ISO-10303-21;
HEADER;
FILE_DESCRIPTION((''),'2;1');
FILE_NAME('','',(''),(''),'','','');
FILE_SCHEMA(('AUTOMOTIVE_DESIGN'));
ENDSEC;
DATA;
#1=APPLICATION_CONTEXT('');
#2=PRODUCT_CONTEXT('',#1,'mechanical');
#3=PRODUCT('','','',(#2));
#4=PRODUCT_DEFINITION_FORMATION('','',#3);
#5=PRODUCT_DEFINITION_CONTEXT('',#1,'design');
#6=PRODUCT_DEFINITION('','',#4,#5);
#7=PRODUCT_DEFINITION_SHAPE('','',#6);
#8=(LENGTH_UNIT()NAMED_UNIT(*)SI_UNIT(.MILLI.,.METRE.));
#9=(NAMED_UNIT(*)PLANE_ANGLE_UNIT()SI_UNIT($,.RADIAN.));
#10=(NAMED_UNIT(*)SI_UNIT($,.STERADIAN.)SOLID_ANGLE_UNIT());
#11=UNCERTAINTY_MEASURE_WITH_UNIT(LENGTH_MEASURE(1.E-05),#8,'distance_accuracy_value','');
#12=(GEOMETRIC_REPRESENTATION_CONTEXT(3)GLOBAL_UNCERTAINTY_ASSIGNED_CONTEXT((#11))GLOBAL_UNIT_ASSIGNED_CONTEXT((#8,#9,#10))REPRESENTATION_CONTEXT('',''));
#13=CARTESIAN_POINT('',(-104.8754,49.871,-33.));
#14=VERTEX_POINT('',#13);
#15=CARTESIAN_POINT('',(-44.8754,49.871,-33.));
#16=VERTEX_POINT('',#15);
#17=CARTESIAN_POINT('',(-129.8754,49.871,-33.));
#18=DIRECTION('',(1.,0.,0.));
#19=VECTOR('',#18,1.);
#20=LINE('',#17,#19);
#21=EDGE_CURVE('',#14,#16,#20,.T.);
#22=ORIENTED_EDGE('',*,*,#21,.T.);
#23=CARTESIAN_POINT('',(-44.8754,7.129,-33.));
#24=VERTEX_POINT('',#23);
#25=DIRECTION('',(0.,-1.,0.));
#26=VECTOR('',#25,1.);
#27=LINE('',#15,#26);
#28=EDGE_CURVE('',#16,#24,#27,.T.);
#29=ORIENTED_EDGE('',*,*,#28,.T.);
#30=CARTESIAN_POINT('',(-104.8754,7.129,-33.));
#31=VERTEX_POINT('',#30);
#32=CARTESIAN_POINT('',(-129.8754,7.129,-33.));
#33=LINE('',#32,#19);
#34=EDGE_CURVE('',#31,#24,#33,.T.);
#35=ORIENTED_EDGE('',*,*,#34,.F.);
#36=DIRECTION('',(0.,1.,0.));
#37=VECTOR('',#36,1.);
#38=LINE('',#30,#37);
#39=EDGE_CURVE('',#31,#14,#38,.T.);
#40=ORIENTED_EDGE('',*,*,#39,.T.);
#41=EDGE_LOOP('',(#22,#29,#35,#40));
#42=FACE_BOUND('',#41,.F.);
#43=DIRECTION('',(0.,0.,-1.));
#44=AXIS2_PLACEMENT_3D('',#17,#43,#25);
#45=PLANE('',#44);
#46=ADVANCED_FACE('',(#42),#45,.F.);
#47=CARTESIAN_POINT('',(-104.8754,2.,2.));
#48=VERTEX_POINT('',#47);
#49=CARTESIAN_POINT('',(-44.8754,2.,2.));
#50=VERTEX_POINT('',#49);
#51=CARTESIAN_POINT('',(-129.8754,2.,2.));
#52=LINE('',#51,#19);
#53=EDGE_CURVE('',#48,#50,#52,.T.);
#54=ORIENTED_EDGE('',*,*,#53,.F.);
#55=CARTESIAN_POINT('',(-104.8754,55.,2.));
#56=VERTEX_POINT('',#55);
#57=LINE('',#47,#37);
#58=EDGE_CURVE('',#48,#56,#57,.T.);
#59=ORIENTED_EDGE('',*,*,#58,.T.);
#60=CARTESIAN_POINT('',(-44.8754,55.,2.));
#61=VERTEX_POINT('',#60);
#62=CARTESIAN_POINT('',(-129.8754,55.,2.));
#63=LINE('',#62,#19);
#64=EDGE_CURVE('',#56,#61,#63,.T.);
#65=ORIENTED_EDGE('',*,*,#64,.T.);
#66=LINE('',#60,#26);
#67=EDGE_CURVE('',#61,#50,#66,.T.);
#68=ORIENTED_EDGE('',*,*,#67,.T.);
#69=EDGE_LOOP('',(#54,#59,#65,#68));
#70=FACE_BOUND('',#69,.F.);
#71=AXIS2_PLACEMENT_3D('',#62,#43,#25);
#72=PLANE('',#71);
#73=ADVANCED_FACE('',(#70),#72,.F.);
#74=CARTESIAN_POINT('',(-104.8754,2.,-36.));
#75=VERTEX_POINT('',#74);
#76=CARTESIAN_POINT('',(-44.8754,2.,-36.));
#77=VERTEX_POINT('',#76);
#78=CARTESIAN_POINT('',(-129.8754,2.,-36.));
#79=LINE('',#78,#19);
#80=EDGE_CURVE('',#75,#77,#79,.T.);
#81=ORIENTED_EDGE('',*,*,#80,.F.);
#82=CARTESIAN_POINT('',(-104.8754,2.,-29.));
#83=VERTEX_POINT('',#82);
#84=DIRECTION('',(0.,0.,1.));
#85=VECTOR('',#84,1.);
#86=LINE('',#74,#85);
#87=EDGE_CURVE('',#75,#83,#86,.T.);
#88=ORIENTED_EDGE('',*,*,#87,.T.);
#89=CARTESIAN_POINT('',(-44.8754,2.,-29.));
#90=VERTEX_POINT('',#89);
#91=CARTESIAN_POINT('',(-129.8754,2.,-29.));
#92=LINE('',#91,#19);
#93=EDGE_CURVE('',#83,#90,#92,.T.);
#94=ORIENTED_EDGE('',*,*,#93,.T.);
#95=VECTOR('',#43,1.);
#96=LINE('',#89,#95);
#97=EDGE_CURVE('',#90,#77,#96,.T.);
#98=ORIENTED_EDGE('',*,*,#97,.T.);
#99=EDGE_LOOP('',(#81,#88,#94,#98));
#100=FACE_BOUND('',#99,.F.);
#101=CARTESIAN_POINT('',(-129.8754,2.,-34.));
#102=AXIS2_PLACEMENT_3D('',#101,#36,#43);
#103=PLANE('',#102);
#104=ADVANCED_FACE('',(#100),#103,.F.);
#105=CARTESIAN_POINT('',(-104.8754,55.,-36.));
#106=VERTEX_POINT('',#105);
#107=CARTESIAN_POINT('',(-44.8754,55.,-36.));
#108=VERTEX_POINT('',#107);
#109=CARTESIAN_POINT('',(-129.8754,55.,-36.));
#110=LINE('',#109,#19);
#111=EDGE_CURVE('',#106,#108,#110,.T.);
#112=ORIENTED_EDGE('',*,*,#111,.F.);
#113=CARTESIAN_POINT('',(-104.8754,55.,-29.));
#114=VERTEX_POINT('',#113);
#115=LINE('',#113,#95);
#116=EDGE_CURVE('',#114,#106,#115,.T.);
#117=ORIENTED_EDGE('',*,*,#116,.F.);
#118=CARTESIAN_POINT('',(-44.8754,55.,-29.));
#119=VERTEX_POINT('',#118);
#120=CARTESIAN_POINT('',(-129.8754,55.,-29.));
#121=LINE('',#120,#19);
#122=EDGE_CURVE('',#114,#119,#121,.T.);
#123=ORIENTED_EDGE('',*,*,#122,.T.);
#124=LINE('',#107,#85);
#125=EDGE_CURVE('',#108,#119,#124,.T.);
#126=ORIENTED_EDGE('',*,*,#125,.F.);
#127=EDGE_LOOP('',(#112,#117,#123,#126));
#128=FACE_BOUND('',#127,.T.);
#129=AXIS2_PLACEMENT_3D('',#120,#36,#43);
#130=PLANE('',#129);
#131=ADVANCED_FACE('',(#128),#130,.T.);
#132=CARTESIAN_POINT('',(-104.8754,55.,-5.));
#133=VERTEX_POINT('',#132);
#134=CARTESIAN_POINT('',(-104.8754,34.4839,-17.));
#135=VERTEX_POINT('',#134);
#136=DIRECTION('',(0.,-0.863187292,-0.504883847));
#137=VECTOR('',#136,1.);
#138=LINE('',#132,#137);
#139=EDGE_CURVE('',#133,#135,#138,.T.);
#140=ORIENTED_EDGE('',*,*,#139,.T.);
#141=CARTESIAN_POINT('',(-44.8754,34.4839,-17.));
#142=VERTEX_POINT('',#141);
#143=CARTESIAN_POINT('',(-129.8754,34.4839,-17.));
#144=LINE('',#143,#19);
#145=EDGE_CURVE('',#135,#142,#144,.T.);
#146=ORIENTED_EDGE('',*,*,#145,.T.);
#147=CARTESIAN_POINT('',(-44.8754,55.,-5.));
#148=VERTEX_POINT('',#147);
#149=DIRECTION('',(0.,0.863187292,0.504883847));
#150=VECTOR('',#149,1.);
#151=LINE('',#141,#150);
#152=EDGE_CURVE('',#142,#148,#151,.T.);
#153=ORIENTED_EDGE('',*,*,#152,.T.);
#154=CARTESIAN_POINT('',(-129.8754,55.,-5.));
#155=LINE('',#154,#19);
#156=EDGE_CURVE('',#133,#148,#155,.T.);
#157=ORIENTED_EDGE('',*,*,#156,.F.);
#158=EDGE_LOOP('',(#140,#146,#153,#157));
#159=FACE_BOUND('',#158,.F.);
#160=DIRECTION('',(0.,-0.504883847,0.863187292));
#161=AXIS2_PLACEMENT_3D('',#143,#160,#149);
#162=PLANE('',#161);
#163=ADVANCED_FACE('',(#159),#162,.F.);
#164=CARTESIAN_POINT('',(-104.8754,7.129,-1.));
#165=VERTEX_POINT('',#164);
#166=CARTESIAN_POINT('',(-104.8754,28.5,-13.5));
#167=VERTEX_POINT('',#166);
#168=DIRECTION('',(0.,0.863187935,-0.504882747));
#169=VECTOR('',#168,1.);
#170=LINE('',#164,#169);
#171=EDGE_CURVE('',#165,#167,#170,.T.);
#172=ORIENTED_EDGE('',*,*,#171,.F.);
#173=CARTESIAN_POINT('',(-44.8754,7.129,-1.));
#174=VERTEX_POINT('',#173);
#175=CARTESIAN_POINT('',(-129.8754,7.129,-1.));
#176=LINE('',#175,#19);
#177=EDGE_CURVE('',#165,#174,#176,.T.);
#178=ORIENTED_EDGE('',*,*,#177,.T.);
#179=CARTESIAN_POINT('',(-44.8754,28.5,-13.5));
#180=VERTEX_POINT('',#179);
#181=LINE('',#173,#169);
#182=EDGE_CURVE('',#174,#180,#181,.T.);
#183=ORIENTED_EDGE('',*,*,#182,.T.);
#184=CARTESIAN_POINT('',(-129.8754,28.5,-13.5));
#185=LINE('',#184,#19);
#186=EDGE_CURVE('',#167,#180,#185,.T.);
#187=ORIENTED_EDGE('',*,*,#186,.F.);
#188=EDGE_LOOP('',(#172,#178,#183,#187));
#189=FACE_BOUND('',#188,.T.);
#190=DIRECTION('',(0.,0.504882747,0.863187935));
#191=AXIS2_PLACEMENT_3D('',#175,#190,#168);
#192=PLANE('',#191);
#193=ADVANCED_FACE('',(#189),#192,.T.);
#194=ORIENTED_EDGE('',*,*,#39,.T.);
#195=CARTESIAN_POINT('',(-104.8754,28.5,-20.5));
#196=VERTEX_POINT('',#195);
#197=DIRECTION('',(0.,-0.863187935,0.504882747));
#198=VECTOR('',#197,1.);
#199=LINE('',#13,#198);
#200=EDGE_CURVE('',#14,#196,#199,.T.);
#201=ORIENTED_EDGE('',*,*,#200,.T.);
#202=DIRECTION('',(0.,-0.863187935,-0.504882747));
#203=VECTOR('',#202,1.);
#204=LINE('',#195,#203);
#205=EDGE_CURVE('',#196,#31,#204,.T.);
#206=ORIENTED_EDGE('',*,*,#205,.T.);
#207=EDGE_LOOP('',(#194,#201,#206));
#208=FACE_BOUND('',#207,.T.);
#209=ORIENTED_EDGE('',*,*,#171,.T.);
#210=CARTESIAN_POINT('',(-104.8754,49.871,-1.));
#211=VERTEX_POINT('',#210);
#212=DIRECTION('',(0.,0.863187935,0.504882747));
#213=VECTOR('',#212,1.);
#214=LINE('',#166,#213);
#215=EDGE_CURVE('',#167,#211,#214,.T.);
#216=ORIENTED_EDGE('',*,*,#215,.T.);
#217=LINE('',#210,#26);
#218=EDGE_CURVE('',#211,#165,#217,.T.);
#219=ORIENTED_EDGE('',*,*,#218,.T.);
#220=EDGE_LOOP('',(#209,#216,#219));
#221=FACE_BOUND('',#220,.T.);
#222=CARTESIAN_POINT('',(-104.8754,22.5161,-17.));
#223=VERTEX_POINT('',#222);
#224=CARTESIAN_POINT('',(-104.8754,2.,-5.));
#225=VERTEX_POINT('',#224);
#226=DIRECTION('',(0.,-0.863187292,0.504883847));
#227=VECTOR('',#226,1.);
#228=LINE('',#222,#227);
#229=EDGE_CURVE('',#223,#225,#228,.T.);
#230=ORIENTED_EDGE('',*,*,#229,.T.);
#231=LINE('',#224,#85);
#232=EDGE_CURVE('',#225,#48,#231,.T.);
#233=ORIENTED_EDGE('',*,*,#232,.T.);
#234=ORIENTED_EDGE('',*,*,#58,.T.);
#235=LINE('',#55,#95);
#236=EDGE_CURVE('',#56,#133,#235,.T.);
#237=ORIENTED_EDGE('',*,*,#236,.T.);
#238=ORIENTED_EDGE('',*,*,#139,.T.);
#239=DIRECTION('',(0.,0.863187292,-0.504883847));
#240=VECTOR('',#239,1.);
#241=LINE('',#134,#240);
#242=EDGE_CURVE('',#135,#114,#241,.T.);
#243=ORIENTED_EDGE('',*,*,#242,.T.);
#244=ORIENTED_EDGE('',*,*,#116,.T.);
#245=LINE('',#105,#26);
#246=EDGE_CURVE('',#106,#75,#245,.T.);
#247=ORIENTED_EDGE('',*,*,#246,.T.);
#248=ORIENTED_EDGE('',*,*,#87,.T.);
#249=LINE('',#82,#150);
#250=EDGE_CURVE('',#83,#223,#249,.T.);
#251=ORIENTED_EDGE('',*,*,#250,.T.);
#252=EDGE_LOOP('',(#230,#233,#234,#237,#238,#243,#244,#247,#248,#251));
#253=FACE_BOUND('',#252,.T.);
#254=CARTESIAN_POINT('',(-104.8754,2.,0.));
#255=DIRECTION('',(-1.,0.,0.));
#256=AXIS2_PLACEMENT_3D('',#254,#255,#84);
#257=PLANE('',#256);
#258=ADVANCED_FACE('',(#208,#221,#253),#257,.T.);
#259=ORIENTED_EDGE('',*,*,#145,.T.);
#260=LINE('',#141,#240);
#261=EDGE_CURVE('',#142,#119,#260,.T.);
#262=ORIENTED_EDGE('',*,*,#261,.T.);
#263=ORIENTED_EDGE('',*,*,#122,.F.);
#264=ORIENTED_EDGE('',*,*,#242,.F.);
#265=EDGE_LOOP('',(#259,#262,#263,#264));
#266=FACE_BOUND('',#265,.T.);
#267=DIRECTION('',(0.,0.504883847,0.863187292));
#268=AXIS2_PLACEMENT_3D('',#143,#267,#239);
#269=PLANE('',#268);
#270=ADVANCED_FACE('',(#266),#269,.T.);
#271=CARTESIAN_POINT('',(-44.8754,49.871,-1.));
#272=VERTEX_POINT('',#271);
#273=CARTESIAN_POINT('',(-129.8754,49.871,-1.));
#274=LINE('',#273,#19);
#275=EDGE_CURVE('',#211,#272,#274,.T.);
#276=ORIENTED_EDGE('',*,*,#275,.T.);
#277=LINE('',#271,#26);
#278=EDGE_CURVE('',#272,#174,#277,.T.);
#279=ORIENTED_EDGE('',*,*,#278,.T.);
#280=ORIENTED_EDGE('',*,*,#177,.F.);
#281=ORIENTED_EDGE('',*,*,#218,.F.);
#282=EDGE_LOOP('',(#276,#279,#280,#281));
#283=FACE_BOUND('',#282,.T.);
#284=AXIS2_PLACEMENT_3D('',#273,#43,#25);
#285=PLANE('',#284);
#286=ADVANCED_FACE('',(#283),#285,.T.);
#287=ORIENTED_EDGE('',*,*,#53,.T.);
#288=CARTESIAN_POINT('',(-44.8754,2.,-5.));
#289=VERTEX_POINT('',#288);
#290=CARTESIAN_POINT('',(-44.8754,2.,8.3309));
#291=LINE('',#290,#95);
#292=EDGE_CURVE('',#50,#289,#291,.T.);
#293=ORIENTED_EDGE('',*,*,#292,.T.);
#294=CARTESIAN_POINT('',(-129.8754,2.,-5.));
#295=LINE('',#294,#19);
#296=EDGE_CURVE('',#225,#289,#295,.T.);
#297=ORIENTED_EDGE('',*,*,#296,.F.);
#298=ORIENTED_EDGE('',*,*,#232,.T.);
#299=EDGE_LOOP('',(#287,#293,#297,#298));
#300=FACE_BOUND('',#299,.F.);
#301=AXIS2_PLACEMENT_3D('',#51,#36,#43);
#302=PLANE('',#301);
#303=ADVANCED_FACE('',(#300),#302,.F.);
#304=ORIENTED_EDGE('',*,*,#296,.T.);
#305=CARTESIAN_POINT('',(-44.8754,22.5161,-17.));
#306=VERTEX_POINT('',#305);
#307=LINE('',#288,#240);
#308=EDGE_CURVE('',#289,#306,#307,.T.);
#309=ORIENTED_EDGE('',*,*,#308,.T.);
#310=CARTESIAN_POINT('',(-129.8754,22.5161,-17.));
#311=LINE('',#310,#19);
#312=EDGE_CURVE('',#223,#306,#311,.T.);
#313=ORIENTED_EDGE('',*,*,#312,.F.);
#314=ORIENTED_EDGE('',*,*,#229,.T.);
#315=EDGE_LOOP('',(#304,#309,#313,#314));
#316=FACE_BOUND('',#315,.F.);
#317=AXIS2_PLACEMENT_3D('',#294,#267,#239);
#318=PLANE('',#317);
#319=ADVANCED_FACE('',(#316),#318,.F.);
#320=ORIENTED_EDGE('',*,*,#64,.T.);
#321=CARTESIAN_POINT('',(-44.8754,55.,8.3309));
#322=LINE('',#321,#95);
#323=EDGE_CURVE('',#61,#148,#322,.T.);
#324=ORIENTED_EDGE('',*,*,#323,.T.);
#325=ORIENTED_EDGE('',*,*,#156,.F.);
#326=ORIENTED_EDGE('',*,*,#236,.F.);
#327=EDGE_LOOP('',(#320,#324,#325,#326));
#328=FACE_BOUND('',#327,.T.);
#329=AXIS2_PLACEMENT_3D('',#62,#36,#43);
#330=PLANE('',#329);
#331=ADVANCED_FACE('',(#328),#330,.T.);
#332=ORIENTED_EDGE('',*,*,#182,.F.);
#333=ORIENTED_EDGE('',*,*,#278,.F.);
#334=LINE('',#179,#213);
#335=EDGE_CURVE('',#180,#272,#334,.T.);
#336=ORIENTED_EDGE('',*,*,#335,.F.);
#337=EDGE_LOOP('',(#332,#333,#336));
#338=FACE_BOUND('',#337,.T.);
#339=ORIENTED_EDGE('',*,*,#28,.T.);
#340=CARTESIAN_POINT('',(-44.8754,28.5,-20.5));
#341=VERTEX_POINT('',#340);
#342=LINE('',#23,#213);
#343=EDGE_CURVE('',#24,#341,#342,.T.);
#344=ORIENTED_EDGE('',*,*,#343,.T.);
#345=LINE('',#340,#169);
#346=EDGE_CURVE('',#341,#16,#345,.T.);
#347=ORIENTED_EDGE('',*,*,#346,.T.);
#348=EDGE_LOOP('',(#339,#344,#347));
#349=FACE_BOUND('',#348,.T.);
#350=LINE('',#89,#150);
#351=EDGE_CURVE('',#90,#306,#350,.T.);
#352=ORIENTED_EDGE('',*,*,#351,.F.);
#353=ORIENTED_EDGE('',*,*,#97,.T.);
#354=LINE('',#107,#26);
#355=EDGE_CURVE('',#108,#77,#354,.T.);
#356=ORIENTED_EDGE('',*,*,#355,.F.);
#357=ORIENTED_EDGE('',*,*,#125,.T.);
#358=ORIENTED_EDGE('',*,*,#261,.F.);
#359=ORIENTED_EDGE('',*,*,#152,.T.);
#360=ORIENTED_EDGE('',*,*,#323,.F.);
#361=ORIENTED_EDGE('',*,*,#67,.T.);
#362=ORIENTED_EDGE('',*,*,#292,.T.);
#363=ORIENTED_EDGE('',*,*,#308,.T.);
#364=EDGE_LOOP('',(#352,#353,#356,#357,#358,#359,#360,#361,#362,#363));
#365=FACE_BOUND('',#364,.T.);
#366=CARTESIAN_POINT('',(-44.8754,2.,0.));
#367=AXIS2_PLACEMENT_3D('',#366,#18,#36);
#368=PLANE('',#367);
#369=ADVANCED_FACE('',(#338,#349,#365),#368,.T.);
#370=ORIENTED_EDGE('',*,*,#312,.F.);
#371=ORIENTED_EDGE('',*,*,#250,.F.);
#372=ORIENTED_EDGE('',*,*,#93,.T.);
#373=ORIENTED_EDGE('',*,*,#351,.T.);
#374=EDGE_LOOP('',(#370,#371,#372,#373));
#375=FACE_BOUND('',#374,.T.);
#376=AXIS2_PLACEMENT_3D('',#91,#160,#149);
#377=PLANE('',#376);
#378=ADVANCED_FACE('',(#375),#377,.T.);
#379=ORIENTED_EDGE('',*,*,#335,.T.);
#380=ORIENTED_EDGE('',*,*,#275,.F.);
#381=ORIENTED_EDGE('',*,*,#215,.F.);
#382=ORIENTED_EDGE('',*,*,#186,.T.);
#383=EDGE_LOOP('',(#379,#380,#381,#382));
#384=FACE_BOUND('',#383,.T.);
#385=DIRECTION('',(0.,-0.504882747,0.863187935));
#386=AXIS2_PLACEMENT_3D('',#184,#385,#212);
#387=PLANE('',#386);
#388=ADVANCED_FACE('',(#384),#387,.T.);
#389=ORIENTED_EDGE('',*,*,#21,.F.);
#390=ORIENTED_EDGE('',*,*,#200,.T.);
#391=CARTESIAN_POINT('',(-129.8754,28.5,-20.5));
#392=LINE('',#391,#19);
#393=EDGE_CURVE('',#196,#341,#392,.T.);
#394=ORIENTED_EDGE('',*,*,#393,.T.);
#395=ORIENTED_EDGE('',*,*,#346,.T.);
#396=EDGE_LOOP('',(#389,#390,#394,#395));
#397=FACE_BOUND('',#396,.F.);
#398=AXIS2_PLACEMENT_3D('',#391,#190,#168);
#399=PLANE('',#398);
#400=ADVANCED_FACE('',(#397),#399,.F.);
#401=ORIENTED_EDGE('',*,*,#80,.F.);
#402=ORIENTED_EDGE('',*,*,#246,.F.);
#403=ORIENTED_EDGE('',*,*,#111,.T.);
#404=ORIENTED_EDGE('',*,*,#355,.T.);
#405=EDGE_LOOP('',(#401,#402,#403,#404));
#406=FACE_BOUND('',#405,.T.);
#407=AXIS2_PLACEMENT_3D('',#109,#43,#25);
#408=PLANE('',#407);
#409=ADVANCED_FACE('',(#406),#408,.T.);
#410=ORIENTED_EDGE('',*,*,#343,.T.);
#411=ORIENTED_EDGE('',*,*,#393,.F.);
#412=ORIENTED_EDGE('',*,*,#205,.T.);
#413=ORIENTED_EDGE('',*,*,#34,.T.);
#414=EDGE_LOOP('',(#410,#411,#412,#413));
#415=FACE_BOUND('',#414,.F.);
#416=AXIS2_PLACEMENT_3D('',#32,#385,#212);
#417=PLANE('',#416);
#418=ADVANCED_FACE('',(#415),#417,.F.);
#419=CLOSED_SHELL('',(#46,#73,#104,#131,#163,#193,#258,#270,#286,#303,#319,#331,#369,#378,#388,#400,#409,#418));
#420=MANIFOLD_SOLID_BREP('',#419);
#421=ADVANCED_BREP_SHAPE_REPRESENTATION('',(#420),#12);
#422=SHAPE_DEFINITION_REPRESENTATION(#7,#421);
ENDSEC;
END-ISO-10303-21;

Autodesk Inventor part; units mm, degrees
ref_plane "YZ Plane" through (0, 0, 0) normal (1, 0, 0) x (0, 1, 0)
ref_plane "XZ Plane" through (0, 0, 0) normal (0, 1, 0) x (-1, 0, 0)
ref_plane "XY Plane" through (0, 0, 0) normal (0, 0, 1) x (1, 0, 0)
ref_plane "Work Plane1" through (32.4858, 0, 0) normal (0, 0, 1) x (1, 0, 0)
sketch "Sketch1" plane through (32.4858, 0, 0) normal (0, 0, 1) x (1, 0, 0)
  line L0 (-82.3611, -0.4) -> (-82.3611, 2.4)
  line L1 (-32.4858, 2) -> (-181.2976, 2)
  line L2 (-32.4858, 55) -> (-181.2976, 55)
  line L3 (-82.3611, 54.6) -> (-82.3611, 57.4)
  line L4 (-157.3611, 54.6) -> (-157.3611, 57.4)
  line L5 (-157.3611, -0.4) -> (-157.3611, 2.4)
  line L6 (-107.3611, -0.4) -> (-107.3611, 2.4)
  line L7 (-132.3611, -0.4) -> (-132.3611, 2.4)
  line L8 (-107.3611, 54.6) -> (-107.3611, 57.4)
  line L9 (-132.3611, 54.6) -> (-132.3611, 57.4)
  line L10 (-32.4858, 0) -> (-181.2976, 0) projected
  line L11 (-32.4858, 57) -> (-181.2976, 57) projected
  line L12 (-82.3611, 2) -> (-82.3611, 55) construction
  line L13 (-157.3611, 2) -> (-157.3611, 55) construction
  line L14 (-77.3611, 2) -> (-77.3611, 55)
  line L15 (-162.3611, 2) -> (-162.3611, 55)
  dimension "d0" = 5
  dimension "d1" = 5
ref_plane "Work Plane3" through (-129.8754, 2, 0) normal (1, 0, 0) x (0, 1, 0)
ref_plane "Work Plane2" through (1.0604, 0, 0) normal (0, 0, 1) x (-1, 0, 0)
sketch "Sketch2" plane through (-129.8754, 2, 0) normal (1, 0, 0) x (0, 1, 0)
  line L0 (0, 8.3309) -> (0, -17.2762) projected
  line L1 (53, 8.3309) -> (53, -17.2762) projected
  line L2 (53, -34) -> (55, -34) projected
  line L3 (53, -34) -> (55, -34) projected
  line L4 (-2, -34) -> (0, -34) projected
  line L5 (-2, -34) -> (0, -34) projected
  line L6 (53, -34) -> (0, -34) construction
  line L7 (53, -36) -> (0, -36)
  line L8 (0, 0) -> (53, 0) construction
  line L9 (0, 0) -> (0, -8) construction
  line L10 (53, 0) -> (53, -8) construction
  line L11 (47.871, -33) -> (5.129, -33)
  line L12 (53, -29) -> (0, -29) construction
  line L13 (53, 2) -> (0, 2)
  line L14 (47.871, -1) -> (5.129, -1)
  line L15 (53, -5) -> (0, -5) construction
  line L16 (5.129, -33) -> (26.5, -20.5)
  line L17 (32.4839, -17) -> (53, -5)
  line L18 (5.129, -1) -> (26.5, -13.5)
  line L19 (32.4839, -17) -> (53, -29)
  line L20 (0, -29) -> (20.5161, -17)
  line L21 (26.5, -13.5) -> (47.871, -1)
  line L22 (0, -5) -> (20.5161, -17)
  line L23 (26.5, -20.5) -> (47.871, -33)
  line L24 (53, 2) -> (53, -5)
  line L25 (0, 2) -> (0, -5)
  line L26 (0, -29) -> (0, -36)
  line L27 (53, -29) -> (53, -36)
  point P0 (-2, 0)
  dimension "d20" = 2
  dimension "d37" = 1
  dimension "d38" = 4
  dimension "d39" = 2
  dimension "d40" = 1
  dimension "d41" = 4
extrude "Extrusion2" add sketch "Sketch2" along normal blind 85
sketch "Sketch3" plane through (-129.8754, 55, -29) normal (0, 1, 0) x (1, 0, 0)
  line L0 (0, -12) -> (85, -12) projected
  point P0 (129.8754, -29)
sketch "Sketch4" plane through (-129.8754, 2, 0) normal (-1, 0, 0) x (0, 0, 1)
  line L0 (-13.5, 26.5) -> (-1, 47.871) projected
  line L1 (-1, 47.871) -> (-1, 5.129) projected
  line L2 (-1, 5.129) -> (-13.5, 26.5) projected
  line L3 (-20.5, 26.5) -> (-33, 5.129) projected
  line L4 (-33, 5.129) -> (-33, 47.871) projected
  line L5 (-33, 47.871) -> (-20.5, 26.5) projected
  line L6 (-36, 53) -> (-36, 0) projected
  line L7 (-36, 0) -> (-29, 0) projected
  line L8 (-29, 0) -> (-17, 20.5161) projected
  line L9 (-17, 20.5161) -> (-5, 0) projected
  line L10 (-5, 0) -> (2, 0) projected
  line L11 (2, 0) -> (2, 53) projected
  line L12 (2, 53) -> (-5, 53) projected
  line L13 (-5, 53) -> (-17, 32.4839) projected
  line L14 (-17, 32.4839) -> (-29, 53) projected
  line L15 (-29, 53) -> (-36, 53) projected
  point P0 (0, -2)
extrude "Extrusion3" cut sketch "Sketch4" against normal blind 25
